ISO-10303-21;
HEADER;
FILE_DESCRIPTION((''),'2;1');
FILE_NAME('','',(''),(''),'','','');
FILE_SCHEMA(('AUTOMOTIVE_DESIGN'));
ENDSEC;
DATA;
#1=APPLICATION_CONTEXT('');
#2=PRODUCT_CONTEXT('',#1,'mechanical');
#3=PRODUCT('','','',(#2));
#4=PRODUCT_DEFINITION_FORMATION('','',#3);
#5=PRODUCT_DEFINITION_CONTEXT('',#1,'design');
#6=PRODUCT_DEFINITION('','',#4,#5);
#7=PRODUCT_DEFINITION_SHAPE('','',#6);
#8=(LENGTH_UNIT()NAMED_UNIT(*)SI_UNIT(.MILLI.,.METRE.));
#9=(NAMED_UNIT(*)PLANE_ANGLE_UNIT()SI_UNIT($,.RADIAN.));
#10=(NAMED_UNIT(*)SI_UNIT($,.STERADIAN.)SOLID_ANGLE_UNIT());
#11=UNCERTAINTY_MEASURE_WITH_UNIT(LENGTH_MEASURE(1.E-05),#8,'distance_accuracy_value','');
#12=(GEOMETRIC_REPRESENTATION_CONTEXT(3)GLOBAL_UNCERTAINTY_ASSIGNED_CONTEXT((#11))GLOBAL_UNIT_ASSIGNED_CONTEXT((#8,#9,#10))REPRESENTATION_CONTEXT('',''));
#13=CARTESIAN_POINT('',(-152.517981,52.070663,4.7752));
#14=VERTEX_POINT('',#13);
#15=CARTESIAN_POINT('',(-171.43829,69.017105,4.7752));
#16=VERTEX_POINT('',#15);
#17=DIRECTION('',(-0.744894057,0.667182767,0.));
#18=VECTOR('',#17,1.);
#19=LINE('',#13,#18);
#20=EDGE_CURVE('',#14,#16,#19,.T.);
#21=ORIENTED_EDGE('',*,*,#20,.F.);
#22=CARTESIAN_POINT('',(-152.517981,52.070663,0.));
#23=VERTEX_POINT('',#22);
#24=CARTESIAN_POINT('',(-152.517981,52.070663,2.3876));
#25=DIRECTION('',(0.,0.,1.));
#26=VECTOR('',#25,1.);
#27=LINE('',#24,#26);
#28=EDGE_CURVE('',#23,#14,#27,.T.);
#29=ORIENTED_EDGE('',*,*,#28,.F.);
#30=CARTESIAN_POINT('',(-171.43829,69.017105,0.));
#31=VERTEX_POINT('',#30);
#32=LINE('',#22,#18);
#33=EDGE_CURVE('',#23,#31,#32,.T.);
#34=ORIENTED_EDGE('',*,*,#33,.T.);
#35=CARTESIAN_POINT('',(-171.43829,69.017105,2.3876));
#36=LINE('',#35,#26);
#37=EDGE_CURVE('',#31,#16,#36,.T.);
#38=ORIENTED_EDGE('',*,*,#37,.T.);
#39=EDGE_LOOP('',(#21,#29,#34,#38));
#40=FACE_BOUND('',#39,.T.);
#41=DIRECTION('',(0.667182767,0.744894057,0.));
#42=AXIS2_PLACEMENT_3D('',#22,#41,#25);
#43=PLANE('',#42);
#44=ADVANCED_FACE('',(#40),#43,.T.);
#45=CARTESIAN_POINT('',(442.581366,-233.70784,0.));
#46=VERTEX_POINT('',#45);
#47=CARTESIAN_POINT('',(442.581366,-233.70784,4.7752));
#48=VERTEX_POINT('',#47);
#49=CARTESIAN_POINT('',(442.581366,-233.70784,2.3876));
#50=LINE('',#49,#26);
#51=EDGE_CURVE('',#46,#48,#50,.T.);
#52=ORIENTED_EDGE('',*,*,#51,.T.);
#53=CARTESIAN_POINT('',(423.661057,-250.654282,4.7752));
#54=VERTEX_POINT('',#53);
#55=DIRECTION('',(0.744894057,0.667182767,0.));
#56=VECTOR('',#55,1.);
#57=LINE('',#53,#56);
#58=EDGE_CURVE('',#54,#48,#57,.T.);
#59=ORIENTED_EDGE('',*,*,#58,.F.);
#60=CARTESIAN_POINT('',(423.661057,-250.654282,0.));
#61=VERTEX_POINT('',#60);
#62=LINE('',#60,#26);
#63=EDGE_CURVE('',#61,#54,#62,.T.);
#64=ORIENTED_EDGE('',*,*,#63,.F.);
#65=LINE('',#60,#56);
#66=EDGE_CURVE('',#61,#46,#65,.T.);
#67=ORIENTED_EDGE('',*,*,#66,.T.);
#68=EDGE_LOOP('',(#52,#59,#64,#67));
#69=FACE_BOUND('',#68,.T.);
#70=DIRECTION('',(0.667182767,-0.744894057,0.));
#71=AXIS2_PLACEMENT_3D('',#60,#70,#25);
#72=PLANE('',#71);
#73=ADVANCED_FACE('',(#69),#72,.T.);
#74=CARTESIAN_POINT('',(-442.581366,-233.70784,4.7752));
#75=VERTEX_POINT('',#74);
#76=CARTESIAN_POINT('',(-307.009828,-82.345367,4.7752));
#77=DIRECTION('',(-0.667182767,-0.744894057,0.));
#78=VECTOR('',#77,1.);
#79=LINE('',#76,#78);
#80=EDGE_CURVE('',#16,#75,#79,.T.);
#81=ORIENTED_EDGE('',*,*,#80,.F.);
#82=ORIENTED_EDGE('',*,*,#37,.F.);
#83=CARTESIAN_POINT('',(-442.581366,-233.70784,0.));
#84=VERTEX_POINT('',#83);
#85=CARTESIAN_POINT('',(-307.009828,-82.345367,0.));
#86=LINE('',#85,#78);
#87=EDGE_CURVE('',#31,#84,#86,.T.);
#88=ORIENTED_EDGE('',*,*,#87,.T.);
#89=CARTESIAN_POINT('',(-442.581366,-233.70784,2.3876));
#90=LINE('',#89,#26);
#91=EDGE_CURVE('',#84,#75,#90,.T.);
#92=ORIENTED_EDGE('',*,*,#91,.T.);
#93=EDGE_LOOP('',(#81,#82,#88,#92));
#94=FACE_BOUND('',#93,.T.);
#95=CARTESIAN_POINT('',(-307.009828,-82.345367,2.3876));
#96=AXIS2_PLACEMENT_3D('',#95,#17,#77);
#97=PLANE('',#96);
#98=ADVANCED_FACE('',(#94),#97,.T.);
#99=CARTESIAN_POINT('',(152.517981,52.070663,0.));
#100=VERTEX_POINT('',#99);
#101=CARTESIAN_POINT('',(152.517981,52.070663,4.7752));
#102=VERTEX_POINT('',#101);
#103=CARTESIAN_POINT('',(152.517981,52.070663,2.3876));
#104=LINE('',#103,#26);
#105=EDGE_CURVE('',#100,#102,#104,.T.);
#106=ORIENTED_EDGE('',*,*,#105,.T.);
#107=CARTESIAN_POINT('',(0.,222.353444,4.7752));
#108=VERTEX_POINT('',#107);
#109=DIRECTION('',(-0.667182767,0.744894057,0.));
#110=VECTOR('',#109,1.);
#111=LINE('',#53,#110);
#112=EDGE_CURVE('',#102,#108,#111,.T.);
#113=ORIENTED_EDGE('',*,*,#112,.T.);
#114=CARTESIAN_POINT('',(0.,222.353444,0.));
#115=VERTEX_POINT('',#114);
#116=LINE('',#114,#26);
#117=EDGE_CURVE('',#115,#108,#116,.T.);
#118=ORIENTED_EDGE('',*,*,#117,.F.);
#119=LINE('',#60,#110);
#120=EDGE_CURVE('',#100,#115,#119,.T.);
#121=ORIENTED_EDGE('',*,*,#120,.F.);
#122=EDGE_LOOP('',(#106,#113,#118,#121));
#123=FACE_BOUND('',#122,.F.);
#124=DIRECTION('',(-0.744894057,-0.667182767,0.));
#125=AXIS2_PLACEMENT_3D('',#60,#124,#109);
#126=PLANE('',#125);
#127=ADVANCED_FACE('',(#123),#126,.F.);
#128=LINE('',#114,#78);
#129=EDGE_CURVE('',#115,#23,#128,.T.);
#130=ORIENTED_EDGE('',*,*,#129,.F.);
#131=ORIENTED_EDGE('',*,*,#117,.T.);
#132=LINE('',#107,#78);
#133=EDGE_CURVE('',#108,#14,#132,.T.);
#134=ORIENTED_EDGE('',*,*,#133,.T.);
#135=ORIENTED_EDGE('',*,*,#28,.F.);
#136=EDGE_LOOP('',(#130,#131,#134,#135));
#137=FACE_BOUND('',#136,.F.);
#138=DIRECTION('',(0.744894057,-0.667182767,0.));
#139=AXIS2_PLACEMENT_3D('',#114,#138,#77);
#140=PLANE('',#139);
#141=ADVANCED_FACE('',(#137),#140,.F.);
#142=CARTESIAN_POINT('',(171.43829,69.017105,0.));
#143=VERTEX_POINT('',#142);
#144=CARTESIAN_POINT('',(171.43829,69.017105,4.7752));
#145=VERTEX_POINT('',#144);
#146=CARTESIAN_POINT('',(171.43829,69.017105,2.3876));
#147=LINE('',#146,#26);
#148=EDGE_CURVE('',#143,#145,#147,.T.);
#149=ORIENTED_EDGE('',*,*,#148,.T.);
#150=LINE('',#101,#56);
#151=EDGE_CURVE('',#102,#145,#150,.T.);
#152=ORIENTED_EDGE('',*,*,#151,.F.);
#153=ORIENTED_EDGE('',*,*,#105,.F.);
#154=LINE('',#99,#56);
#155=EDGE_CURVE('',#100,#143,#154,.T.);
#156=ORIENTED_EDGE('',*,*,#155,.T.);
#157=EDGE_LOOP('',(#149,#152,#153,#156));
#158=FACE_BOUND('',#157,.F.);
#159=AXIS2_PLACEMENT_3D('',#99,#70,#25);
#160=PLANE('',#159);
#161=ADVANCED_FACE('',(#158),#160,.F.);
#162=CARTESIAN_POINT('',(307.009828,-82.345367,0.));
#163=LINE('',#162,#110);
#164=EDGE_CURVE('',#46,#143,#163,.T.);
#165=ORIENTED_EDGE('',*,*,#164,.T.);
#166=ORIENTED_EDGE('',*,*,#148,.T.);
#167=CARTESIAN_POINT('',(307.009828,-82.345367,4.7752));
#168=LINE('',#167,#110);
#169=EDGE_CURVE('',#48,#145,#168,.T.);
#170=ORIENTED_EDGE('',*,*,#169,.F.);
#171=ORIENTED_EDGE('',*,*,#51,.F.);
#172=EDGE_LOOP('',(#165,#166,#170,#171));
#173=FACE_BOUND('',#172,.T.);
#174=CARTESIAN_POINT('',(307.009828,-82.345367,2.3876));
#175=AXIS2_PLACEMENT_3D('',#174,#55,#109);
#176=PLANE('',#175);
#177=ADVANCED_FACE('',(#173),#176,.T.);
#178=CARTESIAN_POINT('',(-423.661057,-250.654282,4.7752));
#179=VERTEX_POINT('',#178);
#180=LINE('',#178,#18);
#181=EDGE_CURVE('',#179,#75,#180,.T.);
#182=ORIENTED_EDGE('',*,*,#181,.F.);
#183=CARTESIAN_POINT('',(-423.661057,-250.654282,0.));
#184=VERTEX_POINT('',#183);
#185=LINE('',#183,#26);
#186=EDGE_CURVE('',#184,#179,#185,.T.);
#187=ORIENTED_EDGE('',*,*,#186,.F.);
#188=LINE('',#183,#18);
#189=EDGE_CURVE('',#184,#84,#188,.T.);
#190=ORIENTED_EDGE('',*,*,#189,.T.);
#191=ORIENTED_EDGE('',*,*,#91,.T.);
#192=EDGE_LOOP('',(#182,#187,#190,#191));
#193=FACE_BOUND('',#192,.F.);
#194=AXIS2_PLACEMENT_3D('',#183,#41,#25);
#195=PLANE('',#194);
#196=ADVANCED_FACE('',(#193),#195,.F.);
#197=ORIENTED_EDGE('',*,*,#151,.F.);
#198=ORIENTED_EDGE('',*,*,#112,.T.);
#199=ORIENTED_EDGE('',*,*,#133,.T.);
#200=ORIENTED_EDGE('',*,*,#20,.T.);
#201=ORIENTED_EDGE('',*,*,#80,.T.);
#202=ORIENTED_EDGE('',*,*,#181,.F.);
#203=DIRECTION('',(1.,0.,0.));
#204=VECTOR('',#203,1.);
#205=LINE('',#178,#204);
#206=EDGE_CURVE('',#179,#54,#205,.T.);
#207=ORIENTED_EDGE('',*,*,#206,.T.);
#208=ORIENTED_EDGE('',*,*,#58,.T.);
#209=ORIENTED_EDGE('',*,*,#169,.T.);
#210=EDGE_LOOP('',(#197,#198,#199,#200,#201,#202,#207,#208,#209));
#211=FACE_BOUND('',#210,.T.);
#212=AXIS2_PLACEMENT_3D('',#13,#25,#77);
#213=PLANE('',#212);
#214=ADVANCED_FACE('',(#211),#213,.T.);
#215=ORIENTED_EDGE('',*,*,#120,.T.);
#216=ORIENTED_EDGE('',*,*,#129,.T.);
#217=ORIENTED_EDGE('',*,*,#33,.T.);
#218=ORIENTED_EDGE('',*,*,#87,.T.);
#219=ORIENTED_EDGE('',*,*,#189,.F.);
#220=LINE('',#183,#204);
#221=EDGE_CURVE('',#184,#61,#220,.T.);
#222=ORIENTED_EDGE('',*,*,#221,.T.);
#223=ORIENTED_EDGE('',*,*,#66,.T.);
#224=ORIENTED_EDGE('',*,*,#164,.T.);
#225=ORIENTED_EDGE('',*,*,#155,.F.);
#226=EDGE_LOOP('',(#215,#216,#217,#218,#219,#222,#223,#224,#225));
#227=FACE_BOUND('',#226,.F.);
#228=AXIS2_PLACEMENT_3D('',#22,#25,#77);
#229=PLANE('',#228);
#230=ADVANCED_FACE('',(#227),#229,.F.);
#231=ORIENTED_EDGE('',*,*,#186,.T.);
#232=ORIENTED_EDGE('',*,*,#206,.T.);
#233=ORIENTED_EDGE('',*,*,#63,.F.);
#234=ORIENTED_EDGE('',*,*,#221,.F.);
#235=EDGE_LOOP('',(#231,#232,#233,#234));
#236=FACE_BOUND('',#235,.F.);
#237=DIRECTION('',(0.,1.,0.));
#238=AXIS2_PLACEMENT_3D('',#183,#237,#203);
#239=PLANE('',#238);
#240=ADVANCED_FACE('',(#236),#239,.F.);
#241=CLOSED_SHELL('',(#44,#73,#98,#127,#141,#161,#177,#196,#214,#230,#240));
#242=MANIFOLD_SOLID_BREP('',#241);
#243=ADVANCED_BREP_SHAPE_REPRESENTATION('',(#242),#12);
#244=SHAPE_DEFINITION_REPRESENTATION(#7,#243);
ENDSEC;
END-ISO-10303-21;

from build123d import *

# Parameters (mm, degrees)
F1_DEPTH = 4.7752
F2_W     = 406.4
F2_H     = 4.7752
F3_DEPTH = 25.4
F4_W     = 406.4
F4_H     = 4.7752
F5_DEPTH = 25.4


with BuildPart() as f1:
    # F0 (on Top) → F1 (new body)
    with BuildSketch(Plane.XY):
        Polygon((423.6610569844, -250.6542817955), (0, 222.3534441402), (-423.6610569844, -250.6542817955), align=None)
    extrude(amount=F1_DEPTH)

    # F2 (on face) → F3 (join)
    with BuildSketch(Plane(origin=(110.5053208931, 98.9768210644, 0), x_dir=(-0.6671827669, 0.7448940566, 0), z_dir=(0.7448940566, 0.6671827669, 0))):
        with Locations((-266.1702409973, 2.3876)):
            Rectangle(F2_W, F2_H)
    extrude(amount=F3_DEPTH)

    # F4 (on face) → F5 (join)
    with BuildSketch(Plane(origin=(-110.5053208931, 98.9768210644, 0), x_dir=(-0.6671827669, -0.7448940566, 0), z_dir=(-0.7448940566, 0.6671827669, 0))):
        with Locations((266.1702409973, 2.3876)):
            Rectangle(F4_W, F4_H)
    extrude(amount=F5_DEPTH)


solid = f1.part
